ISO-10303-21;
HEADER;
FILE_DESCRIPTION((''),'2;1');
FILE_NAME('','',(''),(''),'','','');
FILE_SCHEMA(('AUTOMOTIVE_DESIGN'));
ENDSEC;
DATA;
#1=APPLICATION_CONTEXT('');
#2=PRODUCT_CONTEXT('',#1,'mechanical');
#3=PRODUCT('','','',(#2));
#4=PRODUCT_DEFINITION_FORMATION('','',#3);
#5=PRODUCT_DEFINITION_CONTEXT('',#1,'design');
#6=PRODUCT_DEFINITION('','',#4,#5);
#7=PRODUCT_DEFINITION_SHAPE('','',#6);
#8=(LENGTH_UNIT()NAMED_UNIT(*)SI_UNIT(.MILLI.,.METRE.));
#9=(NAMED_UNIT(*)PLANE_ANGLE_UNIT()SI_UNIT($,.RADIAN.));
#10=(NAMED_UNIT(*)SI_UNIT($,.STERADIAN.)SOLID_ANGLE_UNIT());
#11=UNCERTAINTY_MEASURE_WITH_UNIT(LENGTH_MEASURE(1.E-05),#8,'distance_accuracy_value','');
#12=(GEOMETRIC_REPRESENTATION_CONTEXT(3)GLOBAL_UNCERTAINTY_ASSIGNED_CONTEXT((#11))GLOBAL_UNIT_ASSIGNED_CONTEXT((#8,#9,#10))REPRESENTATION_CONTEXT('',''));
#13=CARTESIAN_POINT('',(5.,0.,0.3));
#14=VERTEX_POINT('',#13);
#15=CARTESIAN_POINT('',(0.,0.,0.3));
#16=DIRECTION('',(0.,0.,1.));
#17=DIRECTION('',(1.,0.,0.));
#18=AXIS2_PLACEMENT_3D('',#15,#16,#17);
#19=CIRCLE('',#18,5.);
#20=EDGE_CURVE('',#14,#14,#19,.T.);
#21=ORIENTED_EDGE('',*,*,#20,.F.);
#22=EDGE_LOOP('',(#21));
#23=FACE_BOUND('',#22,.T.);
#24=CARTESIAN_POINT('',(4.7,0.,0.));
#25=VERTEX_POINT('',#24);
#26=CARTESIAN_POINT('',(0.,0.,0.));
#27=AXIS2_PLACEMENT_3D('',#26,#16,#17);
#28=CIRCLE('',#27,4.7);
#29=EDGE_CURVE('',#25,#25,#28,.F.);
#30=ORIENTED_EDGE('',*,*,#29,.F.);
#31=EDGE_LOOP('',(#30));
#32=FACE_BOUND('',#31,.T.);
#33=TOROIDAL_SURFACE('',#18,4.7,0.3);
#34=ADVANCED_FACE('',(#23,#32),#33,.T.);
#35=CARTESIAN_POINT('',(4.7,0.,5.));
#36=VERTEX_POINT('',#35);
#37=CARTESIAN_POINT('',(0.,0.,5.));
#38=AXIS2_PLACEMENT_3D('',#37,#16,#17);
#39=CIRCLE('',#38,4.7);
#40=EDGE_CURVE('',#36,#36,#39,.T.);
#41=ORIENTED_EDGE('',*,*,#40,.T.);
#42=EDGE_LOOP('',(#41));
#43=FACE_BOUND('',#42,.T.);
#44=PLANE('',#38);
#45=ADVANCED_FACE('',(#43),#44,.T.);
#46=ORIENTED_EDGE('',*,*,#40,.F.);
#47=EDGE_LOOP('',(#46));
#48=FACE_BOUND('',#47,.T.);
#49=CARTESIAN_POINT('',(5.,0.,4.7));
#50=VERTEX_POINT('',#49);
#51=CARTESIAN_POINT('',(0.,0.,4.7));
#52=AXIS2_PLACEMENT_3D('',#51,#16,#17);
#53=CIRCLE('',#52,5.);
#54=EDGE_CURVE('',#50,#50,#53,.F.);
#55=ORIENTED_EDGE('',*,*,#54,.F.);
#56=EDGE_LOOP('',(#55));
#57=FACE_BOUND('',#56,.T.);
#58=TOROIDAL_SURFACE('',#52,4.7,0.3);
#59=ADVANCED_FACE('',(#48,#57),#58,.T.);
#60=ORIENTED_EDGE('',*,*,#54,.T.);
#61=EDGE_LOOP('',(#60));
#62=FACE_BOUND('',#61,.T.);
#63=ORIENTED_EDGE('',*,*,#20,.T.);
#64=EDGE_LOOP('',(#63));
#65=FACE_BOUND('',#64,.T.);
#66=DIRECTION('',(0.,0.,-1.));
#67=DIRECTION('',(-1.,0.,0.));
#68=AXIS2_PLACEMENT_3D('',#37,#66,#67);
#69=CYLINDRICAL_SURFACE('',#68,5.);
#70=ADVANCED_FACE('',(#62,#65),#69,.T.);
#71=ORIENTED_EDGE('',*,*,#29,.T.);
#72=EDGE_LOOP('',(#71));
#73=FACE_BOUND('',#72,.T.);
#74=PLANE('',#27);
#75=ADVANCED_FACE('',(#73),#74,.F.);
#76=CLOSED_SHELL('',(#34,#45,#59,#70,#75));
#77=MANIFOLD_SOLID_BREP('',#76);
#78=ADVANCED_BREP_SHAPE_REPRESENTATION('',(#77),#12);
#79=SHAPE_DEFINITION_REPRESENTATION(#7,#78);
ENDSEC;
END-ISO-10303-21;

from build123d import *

# Parameters (mm, degrees)
SKETCH1_R           = 5
BOSS_EXTRUDE1_DEPTH = 5
FILLET1_R           = 0.3


with BuildPart() as part:
    # Sketch1 → Boss-Extrude1 (new body)
    with BuildSketch(Plane.XY):
        Circle(SKETCH1_R)
    extrude(amount=BOSS_EXTRUDE1_DEPTH)

    # Fillet1
    fillet1_edges = [part.edges().sort_by_distance(p)[0] for p in [
        (-5, 0, 0),
        (-5, 0, 5),
    ]]
    fillet(fillet1_edges, radius=FILLET1_R)


solid = part.part
